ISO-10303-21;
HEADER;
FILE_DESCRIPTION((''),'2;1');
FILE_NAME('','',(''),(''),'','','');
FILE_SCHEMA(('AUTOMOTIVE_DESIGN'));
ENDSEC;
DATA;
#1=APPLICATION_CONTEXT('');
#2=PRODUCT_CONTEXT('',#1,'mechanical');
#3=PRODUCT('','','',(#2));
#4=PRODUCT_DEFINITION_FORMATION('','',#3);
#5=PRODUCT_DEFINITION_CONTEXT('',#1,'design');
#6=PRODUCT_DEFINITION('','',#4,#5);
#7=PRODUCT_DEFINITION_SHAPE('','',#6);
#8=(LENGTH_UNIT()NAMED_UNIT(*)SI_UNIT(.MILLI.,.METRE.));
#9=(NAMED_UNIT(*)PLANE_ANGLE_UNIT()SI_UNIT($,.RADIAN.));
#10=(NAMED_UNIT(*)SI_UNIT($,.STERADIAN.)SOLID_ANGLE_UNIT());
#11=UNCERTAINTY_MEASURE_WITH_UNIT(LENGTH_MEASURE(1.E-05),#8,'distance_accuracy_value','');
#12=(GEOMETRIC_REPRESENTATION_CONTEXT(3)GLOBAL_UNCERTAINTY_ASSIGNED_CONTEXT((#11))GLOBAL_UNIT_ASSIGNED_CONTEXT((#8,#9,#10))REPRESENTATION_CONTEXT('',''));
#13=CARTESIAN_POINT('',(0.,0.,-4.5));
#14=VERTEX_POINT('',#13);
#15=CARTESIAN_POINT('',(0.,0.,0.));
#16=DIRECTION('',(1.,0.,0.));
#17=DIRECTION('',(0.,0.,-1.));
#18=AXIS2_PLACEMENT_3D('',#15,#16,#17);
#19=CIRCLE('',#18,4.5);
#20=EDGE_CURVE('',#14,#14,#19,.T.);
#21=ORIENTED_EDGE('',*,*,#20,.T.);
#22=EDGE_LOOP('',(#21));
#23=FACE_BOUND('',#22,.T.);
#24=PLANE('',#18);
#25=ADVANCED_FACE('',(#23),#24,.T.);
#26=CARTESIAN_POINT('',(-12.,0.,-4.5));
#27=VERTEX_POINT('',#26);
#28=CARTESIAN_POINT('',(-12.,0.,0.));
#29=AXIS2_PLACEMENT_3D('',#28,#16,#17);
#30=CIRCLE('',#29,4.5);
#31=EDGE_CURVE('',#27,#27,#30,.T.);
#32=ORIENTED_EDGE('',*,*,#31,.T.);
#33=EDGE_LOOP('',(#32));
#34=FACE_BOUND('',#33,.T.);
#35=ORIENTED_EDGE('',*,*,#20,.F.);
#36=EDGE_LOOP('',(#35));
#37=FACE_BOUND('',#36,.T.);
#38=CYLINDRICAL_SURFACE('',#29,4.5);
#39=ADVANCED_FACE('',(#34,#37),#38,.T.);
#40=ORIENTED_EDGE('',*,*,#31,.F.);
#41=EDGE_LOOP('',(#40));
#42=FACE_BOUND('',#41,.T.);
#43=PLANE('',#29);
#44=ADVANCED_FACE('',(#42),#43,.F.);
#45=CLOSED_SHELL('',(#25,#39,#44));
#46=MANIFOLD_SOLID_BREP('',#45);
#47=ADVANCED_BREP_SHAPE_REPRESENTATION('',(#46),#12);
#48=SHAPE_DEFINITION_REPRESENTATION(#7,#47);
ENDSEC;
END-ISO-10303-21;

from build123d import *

# Parameters (mm, degrees)
SKIZZE1_R                       = 4.5
AUFSATZ_LINEAR_AUSTRAGEN1_DEPTH = 12


with BuildPart() as part:
    # Skizze1 → Aufsatz-Linear austragen1 (new body)
    with BuildSketch(Plane(origin=(0, 0, 0), x_dir=(0, 0, -1), z_dir=(1, 0, 0))):
        Circle(SKIZZE1_R)
    extrude(amount=-AUFSATZ_LINEAR_AUSTRAGEN1_DEPTH)


solid = part.part
